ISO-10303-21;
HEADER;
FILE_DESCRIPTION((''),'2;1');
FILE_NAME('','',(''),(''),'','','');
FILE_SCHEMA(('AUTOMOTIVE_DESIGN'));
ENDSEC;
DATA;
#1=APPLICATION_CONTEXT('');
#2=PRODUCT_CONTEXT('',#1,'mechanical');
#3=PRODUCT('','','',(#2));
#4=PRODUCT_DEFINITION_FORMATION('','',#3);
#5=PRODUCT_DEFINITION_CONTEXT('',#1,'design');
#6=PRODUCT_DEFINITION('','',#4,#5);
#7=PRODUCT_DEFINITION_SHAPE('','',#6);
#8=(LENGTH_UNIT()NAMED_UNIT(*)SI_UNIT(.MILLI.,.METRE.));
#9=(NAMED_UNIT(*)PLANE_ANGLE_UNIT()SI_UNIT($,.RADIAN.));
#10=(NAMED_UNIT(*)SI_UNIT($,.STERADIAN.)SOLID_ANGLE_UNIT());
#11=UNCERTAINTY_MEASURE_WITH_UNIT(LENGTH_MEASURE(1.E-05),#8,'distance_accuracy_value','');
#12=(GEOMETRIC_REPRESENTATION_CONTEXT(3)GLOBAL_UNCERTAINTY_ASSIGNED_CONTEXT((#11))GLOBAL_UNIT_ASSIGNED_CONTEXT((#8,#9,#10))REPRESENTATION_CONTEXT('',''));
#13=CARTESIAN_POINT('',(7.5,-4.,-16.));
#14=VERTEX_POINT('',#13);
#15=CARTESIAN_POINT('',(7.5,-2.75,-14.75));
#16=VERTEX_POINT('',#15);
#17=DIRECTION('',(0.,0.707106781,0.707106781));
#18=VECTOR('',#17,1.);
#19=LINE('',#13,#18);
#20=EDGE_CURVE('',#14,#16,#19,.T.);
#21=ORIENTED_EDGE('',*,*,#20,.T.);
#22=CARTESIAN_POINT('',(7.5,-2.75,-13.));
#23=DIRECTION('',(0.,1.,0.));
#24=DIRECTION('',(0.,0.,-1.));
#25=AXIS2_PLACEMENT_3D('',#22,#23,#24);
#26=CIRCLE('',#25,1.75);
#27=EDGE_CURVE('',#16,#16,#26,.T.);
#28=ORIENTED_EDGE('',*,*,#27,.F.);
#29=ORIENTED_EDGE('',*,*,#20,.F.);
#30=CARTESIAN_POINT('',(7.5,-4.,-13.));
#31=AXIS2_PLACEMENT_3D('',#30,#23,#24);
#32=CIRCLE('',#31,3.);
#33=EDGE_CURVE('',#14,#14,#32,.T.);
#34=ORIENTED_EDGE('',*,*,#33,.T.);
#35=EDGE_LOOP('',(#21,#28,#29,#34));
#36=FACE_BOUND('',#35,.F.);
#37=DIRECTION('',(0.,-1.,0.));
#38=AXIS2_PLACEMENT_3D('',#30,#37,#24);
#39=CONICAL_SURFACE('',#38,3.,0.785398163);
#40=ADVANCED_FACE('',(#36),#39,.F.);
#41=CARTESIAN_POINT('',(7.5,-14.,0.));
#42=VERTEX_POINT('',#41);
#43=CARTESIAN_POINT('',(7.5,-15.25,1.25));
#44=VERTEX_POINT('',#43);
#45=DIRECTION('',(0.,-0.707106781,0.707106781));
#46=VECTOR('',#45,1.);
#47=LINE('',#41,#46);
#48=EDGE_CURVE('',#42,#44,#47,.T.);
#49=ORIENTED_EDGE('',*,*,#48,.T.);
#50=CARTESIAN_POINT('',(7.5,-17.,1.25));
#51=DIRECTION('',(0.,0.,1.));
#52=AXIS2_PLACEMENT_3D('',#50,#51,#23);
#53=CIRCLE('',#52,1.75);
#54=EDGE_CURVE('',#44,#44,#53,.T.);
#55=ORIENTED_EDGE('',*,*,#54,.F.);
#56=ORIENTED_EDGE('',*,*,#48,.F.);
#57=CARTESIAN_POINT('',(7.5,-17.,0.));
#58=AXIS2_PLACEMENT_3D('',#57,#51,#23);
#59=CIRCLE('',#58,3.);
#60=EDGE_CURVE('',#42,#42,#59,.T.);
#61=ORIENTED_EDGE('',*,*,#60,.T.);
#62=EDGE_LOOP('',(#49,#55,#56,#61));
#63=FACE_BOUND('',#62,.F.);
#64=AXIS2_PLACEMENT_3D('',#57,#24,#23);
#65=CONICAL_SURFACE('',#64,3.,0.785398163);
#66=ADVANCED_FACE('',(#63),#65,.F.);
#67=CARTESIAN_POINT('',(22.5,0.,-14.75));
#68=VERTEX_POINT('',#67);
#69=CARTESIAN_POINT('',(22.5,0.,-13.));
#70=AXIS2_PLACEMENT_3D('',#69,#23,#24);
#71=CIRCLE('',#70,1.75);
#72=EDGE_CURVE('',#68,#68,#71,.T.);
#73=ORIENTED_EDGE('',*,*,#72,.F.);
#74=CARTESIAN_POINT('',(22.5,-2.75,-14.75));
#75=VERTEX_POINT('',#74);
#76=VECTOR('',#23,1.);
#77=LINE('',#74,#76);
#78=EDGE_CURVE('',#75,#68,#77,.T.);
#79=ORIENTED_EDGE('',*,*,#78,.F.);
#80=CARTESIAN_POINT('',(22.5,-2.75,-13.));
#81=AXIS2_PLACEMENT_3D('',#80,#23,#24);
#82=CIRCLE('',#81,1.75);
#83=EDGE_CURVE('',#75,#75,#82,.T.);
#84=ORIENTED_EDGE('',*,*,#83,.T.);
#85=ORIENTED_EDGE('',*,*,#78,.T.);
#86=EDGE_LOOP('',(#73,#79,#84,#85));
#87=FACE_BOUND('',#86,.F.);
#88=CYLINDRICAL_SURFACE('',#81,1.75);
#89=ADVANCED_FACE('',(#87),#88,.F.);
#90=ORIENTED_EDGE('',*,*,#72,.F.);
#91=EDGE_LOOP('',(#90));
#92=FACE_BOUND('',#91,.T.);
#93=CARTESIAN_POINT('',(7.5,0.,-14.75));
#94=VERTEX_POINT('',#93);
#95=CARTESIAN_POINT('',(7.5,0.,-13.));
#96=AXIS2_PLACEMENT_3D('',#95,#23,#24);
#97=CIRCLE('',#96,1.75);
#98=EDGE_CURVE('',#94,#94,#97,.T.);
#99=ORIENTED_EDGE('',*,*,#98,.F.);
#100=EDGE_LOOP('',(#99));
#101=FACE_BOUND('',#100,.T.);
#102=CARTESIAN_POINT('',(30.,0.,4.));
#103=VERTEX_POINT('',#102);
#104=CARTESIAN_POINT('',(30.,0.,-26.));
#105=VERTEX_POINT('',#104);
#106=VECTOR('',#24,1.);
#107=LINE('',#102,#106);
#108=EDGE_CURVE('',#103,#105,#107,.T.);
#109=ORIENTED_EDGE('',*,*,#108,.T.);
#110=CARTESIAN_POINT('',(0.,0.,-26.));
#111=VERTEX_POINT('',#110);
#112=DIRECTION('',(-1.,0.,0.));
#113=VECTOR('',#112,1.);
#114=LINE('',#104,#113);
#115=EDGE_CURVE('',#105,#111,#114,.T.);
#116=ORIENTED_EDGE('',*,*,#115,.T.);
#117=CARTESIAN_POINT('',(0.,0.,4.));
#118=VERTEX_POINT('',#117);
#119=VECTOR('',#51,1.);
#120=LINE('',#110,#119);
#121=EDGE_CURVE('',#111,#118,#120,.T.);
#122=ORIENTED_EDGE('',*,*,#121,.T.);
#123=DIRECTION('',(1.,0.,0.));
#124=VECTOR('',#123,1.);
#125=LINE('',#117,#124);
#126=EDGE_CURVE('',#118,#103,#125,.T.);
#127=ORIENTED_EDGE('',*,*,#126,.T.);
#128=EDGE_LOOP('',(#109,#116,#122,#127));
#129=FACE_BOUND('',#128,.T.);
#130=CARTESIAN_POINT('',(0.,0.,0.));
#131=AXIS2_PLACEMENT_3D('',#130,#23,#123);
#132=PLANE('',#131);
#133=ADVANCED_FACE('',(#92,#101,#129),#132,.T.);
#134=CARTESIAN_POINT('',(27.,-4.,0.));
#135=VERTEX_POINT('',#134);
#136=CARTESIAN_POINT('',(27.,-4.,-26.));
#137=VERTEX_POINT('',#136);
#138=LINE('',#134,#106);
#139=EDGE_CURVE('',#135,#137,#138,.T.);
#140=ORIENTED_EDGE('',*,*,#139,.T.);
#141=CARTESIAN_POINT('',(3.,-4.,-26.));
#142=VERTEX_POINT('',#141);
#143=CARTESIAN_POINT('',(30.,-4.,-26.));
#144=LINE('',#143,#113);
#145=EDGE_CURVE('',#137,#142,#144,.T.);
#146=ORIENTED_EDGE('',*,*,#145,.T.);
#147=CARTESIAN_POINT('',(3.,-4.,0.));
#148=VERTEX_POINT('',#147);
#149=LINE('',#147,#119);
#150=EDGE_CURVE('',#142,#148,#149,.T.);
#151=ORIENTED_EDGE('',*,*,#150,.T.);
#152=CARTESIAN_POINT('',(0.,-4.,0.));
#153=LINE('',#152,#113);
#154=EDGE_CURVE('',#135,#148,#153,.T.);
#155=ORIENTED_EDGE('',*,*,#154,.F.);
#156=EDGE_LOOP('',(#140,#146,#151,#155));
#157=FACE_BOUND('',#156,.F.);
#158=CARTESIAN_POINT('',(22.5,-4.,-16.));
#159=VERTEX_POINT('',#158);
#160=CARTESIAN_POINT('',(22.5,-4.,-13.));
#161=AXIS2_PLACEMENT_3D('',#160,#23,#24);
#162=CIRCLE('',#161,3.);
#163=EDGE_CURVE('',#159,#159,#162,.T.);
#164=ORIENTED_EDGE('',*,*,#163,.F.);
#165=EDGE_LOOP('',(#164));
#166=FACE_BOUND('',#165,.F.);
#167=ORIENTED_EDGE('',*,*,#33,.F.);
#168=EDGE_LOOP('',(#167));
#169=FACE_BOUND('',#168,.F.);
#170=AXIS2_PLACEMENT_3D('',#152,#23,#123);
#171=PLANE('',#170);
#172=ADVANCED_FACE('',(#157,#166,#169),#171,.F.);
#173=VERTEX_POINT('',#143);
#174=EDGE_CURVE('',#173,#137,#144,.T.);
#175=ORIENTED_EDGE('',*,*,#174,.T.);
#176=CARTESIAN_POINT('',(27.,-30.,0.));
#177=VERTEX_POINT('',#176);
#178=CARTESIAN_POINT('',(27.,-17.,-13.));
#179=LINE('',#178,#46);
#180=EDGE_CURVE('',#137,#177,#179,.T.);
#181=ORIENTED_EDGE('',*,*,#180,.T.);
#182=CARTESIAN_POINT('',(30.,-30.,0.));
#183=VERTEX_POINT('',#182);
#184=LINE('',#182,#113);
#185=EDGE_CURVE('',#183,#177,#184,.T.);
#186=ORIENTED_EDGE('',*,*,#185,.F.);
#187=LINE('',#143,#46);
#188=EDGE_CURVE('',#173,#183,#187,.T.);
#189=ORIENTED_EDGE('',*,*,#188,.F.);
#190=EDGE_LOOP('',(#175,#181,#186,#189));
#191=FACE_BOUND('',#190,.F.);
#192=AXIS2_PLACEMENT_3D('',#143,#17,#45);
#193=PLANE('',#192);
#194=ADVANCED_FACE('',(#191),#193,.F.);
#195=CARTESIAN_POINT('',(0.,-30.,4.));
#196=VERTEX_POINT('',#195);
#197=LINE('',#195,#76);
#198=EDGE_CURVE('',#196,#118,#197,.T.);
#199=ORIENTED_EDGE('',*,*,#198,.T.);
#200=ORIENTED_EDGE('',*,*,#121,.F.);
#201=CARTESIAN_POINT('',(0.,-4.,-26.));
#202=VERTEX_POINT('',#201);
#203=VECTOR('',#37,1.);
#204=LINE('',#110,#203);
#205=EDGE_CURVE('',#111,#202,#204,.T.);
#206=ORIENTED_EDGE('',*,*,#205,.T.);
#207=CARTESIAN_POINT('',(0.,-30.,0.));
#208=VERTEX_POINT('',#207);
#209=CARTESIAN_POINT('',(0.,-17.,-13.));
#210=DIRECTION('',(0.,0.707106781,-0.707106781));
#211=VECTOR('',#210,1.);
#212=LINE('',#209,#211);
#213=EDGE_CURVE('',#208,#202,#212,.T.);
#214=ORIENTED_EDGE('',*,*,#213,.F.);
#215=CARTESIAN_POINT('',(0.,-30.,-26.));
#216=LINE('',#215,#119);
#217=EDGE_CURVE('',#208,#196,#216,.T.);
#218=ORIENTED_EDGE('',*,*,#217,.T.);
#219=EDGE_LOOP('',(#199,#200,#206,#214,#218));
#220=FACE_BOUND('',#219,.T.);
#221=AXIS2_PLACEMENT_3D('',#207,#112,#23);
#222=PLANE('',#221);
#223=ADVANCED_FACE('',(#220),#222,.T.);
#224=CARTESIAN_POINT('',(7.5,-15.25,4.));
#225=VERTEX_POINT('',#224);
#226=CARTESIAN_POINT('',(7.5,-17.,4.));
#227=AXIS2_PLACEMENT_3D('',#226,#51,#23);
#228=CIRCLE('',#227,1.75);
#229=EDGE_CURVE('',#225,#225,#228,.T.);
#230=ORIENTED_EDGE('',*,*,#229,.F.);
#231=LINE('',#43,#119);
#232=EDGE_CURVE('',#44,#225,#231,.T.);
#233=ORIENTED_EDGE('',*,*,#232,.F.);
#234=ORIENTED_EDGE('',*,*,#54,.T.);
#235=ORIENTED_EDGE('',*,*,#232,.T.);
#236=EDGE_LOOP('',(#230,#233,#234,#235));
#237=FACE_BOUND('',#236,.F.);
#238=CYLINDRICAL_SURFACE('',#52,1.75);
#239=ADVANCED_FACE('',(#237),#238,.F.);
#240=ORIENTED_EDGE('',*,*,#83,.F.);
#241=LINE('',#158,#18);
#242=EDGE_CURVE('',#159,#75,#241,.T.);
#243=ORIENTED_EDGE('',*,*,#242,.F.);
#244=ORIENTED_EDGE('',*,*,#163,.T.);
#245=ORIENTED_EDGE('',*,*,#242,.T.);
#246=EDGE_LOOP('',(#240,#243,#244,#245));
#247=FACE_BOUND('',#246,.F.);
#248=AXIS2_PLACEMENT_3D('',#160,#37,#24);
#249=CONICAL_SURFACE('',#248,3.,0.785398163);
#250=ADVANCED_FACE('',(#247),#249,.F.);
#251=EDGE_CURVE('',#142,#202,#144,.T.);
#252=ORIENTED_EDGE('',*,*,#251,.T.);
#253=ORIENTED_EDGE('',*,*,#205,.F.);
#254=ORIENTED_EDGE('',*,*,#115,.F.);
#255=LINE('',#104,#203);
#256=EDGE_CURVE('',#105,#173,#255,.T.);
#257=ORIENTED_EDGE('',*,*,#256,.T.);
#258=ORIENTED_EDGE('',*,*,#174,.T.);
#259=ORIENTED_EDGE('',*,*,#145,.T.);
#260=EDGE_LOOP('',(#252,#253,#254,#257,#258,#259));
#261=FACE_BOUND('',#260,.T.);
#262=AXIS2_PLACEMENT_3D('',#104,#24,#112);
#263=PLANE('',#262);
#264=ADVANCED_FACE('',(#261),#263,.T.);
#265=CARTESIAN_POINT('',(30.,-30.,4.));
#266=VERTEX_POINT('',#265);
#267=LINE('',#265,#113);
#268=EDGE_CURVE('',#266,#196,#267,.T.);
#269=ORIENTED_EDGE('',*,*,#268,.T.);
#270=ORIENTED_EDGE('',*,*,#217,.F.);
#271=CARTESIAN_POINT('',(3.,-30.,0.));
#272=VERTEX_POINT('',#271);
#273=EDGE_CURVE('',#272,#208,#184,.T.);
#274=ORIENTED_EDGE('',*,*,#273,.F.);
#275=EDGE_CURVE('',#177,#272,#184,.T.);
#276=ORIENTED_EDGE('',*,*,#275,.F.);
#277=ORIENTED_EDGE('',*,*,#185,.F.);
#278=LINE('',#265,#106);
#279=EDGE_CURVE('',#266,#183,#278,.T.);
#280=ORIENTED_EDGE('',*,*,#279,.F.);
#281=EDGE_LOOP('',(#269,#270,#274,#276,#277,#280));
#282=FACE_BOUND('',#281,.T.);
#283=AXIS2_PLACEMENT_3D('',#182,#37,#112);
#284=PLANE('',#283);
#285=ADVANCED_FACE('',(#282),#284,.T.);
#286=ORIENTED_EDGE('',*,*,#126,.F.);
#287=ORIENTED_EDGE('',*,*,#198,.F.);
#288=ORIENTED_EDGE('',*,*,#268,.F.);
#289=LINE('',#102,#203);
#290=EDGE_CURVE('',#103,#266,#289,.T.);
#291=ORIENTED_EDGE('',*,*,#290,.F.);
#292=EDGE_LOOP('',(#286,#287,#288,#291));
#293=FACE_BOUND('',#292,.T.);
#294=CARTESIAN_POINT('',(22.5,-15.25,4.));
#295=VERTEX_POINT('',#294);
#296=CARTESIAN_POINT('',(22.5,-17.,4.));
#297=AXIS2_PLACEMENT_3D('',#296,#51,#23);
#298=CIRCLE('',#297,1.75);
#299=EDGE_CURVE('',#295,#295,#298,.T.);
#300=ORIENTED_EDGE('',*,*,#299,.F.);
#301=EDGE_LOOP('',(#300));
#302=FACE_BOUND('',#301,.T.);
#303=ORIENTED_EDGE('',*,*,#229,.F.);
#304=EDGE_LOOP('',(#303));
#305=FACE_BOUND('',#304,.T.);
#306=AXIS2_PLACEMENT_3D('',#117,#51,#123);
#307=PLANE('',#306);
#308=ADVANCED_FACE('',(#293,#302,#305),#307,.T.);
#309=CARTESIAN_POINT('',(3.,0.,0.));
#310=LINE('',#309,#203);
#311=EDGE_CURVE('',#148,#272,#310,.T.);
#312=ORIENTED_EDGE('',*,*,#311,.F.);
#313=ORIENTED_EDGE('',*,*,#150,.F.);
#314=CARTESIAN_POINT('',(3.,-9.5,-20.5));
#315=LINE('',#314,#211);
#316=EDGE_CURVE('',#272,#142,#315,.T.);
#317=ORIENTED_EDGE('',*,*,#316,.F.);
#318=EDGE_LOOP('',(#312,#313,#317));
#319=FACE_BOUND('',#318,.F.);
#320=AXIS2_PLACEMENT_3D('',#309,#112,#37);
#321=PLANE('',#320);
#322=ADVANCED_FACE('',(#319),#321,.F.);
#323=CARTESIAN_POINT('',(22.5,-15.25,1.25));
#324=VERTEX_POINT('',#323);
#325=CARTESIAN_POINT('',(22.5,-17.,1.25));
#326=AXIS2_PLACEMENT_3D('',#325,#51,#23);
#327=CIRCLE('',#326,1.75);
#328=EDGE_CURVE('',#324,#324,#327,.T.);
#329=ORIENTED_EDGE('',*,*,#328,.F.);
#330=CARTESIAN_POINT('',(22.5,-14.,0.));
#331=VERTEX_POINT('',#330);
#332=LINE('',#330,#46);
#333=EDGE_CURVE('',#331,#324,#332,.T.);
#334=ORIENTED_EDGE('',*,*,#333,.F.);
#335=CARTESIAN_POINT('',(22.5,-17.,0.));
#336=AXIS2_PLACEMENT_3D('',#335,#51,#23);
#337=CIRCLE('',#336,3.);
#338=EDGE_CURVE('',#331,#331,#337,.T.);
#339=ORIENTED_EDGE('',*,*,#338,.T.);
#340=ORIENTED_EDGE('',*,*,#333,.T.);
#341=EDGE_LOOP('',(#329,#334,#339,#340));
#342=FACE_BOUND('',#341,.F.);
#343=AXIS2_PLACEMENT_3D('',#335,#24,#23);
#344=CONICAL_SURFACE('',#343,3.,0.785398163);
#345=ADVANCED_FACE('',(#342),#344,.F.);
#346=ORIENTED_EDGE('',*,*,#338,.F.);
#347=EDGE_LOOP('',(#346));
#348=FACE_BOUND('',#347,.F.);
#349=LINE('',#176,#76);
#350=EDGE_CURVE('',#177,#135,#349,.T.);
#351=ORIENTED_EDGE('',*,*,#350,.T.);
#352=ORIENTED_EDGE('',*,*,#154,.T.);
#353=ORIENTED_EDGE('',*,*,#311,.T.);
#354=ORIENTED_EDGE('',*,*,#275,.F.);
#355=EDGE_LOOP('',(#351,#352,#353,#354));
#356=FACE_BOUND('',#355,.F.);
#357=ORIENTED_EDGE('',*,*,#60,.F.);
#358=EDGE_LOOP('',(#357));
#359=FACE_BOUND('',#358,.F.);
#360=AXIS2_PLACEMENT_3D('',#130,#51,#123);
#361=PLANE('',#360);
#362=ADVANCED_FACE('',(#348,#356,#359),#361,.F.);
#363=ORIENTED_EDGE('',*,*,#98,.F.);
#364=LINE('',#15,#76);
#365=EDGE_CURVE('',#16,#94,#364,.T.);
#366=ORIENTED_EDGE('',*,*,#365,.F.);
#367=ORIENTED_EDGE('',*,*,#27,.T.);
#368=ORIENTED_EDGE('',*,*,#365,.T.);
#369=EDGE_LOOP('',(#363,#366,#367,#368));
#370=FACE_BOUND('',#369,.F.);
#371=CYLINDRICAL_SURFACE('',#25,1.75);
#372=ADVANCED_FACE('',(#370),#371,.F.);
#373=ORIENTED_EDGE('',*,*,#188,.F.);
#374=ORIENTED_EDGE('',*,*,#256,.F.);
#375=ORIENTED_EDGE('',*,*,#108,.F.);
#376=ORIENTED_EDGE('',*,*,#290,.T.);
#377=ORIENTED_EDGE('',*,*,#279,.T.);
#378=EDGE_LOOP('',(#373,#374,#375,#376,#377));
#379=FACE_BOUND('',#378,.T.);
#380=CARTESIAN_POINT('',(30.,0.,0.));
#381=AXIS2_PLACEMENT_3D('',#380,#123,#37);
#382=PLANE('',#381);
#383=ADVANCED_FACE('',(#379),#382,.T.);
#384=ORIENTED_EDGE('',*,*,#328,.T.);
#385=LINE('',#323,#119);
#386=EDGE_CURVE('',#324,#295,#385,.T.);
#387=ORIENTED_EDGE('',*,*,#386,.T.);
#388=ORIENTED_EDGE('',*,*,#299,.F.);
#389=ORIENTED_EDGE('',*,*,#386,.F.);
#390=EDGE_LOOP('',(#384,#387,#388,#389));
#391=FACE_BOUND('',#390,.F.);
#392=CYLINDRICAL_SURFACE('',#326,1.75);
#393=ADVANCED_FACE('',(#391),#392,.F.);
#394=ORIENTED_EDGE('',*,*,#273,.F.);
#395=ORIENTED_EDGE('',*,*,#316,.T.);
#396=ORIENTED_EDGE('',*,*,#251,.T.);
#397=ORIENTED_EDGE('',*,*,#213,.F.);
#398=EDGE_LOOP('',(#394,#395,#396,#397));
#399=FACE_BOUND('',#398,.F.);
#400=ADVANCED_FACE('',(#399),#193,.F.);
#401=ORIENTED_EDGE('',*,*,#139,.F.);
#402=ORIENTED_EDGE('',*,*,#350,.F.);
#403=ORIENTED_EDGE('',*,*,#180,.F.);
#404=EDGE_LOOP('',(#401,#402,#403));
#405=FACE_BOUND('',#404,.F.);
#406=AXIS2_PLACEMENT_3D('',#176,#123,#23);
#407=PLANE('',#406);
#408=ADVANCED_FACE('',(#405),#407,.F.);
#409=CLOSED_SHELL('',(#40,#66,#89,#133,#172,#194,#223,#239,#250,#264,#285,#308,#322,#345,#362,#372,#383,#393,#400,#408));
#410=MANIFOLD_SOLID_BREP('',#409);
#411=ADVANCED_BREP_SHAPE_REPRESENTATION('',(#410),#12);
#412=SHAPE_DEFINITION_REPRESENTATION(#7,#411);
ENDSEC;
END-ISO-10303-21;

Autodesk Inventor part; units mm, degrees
ref_plane "YZ Plane" through (0, 0, 0) normal (1, 0, 0) x (0, 1, 0)
ref_plane "XZ Plane" through (0, 0, 0) normal (0, 1, 0) x (-1, 0, 0)
ref_plane "XY Plane" through (0, 0, 0) normal (0, 0, 1) x (1, 0, 0)
sketch "Boceto1" plane through (0, 0, 0) normal (0, 0, 1) x (1, 0, 0)
  line L0 (0, 0) -> (30, 0)
  line L1 (30, 0) -> (30, -30)
  line L2 (30, -30) -> (0, -30)
  line L3 (0, -30) -> (0, 0)
  dimension "d0" = 30
  dimension "d1" = 30
extrude "Extrusión1" add sketch "Boceto1" along normal blind 4
sketch "Boceto2" plane through (0, 0, 0) normal (0, 1, 0) x (1, 0, 0)
  line L0 (30, -4) -> (0, -4) projected
  line L1 (0, -4) -> (30, -4)
  line L2 (30, -4) -> (30, 26)
  line L3 (30, 26) -> (0, 26)
  line L4 (0, 26) -> (0, -4)
  point P0 (0, 0)
  dimension "d4" = 30
extrude "Extrusión2" add sketch "Boceto2" against normal blind 4
sketch "Boceto3" plane through (0, 0, 0) normal (0, 0, -1) x (-1, 0, 0)
  line L0 (0, -4) -> (-30, -4) projected
  line L1 (-30, -30) -> (-30, -4) projected
  line L2 (0, -30) -> (-30, -30) projected
  line L3 (0, -4) -> (0, -30) projected
  line L4 (0, -30) -> (-30, -30) projected
  line L5 (-15, -30) -> (-15, -4)
  line L6 (0, -4) -> (0, -30) projected
  line L7 (0, -17) -> (-30, -17)
  line L8 (-30, -17) -> (-22.5, -17)
  circle A0 centre (-22.5, -17) radius 3
  line L9 (0, -17) -> (-7.5, -17)
  circle A1 centre (-7.5, -17) radius 3
  point P0 (0, 0)
  dimension "d7" = 7.5
  dimension "d8" = 6
  dimension "d9" = 7.5
  dimension "d10" = 6
hole "Agujero1" at (22.5, -17, 0) at (7.5, -17, 0) direction (0, 0, 1) diameter 3.5 end through all countersink diameter 6 countersink angle 90
sketch "Boceto4" plane through (0, 0, 0) normal (0, 0, -1) x (-1, 0, 0)
  line L0 (0, -30) -> (-30, -30) projected
  line L1 (0, 0) -> (-3, 0)
  line L2 (-3, 0) -> (-3, -30)
  line L3 (-3, -30) -> (0, -30)
  line L4 (0, -30) -> (0, 0)
  line L5 (-30, -30) -> (-27, -30)
  line L6 (-27, -30) -> (-27, 0)
  line L7 (-27, 0) -> (-30, 0)
  line L8 (-30, 0) -> (-30, -30)
  dimension "d18" = 3
  dimension "d19" = 3
extrude "Extrusión3" add sketch "Boceto4" along normal up to surface (26 mm away)
sketch "Boceto5" plane through (30, -30, 4) normal (1, 0, 0) x (0, 0, -1)
  line L0 (30, 26) -> (4, 0)
  line L1 (30, 30) -> (0, 30) projected
  line L2 (0, 0) -> (0, 30) projected
  line L3 (30, 0) -> (0, 0) projected
  line L4 (30, 30) -> (30, 0) projected
  point P0 (4, 30)
extrude "Extrusión4" cut sketch "Boceto5" against normal through all contours L4 L3 L0
sketch "Boceto8" plane through (0, -4, 0) normal (0, -1, 0) x (1, 0, 0)
  line L0 (3, 0) -> (3, -26) projected
  line L1 (3, -26) -> (27, -26) projected
  line L2 (27, -26) -> (27, 0) projected
  line L3 (3, 0) -> (27, 0) projected
  line L4 (25.5, 0) -> (19.5, 0) projected
  line L5 (10.5, 0) -> (4.5, 0) projected
  line L6 (22.5, 0) -> (22.5, -26)
  line L7 (7.5, 0) -> (7.5, -26)
  line L8 (3, -26) -> (27, -26) projected
  line L9 (27, -26) -> (27, 0) projected
  line L10 (27, -13) -> (3, -13)
  circle A0 centre (22.5, -13) radius 1.75
  circle A1 centre (7.5, -13) radius 1.75
  point P0 (0, 0)
  dimension "d25" = 3.5
  dimension "d26" = 3.5
hole "Agujero2" at (22.5, -4, -13) at (7.5, -4, -13) direction (0, 1, 0) diameter 3.5 end through all countersink diameter 6 countersink angle 90
properties part number "Union"
